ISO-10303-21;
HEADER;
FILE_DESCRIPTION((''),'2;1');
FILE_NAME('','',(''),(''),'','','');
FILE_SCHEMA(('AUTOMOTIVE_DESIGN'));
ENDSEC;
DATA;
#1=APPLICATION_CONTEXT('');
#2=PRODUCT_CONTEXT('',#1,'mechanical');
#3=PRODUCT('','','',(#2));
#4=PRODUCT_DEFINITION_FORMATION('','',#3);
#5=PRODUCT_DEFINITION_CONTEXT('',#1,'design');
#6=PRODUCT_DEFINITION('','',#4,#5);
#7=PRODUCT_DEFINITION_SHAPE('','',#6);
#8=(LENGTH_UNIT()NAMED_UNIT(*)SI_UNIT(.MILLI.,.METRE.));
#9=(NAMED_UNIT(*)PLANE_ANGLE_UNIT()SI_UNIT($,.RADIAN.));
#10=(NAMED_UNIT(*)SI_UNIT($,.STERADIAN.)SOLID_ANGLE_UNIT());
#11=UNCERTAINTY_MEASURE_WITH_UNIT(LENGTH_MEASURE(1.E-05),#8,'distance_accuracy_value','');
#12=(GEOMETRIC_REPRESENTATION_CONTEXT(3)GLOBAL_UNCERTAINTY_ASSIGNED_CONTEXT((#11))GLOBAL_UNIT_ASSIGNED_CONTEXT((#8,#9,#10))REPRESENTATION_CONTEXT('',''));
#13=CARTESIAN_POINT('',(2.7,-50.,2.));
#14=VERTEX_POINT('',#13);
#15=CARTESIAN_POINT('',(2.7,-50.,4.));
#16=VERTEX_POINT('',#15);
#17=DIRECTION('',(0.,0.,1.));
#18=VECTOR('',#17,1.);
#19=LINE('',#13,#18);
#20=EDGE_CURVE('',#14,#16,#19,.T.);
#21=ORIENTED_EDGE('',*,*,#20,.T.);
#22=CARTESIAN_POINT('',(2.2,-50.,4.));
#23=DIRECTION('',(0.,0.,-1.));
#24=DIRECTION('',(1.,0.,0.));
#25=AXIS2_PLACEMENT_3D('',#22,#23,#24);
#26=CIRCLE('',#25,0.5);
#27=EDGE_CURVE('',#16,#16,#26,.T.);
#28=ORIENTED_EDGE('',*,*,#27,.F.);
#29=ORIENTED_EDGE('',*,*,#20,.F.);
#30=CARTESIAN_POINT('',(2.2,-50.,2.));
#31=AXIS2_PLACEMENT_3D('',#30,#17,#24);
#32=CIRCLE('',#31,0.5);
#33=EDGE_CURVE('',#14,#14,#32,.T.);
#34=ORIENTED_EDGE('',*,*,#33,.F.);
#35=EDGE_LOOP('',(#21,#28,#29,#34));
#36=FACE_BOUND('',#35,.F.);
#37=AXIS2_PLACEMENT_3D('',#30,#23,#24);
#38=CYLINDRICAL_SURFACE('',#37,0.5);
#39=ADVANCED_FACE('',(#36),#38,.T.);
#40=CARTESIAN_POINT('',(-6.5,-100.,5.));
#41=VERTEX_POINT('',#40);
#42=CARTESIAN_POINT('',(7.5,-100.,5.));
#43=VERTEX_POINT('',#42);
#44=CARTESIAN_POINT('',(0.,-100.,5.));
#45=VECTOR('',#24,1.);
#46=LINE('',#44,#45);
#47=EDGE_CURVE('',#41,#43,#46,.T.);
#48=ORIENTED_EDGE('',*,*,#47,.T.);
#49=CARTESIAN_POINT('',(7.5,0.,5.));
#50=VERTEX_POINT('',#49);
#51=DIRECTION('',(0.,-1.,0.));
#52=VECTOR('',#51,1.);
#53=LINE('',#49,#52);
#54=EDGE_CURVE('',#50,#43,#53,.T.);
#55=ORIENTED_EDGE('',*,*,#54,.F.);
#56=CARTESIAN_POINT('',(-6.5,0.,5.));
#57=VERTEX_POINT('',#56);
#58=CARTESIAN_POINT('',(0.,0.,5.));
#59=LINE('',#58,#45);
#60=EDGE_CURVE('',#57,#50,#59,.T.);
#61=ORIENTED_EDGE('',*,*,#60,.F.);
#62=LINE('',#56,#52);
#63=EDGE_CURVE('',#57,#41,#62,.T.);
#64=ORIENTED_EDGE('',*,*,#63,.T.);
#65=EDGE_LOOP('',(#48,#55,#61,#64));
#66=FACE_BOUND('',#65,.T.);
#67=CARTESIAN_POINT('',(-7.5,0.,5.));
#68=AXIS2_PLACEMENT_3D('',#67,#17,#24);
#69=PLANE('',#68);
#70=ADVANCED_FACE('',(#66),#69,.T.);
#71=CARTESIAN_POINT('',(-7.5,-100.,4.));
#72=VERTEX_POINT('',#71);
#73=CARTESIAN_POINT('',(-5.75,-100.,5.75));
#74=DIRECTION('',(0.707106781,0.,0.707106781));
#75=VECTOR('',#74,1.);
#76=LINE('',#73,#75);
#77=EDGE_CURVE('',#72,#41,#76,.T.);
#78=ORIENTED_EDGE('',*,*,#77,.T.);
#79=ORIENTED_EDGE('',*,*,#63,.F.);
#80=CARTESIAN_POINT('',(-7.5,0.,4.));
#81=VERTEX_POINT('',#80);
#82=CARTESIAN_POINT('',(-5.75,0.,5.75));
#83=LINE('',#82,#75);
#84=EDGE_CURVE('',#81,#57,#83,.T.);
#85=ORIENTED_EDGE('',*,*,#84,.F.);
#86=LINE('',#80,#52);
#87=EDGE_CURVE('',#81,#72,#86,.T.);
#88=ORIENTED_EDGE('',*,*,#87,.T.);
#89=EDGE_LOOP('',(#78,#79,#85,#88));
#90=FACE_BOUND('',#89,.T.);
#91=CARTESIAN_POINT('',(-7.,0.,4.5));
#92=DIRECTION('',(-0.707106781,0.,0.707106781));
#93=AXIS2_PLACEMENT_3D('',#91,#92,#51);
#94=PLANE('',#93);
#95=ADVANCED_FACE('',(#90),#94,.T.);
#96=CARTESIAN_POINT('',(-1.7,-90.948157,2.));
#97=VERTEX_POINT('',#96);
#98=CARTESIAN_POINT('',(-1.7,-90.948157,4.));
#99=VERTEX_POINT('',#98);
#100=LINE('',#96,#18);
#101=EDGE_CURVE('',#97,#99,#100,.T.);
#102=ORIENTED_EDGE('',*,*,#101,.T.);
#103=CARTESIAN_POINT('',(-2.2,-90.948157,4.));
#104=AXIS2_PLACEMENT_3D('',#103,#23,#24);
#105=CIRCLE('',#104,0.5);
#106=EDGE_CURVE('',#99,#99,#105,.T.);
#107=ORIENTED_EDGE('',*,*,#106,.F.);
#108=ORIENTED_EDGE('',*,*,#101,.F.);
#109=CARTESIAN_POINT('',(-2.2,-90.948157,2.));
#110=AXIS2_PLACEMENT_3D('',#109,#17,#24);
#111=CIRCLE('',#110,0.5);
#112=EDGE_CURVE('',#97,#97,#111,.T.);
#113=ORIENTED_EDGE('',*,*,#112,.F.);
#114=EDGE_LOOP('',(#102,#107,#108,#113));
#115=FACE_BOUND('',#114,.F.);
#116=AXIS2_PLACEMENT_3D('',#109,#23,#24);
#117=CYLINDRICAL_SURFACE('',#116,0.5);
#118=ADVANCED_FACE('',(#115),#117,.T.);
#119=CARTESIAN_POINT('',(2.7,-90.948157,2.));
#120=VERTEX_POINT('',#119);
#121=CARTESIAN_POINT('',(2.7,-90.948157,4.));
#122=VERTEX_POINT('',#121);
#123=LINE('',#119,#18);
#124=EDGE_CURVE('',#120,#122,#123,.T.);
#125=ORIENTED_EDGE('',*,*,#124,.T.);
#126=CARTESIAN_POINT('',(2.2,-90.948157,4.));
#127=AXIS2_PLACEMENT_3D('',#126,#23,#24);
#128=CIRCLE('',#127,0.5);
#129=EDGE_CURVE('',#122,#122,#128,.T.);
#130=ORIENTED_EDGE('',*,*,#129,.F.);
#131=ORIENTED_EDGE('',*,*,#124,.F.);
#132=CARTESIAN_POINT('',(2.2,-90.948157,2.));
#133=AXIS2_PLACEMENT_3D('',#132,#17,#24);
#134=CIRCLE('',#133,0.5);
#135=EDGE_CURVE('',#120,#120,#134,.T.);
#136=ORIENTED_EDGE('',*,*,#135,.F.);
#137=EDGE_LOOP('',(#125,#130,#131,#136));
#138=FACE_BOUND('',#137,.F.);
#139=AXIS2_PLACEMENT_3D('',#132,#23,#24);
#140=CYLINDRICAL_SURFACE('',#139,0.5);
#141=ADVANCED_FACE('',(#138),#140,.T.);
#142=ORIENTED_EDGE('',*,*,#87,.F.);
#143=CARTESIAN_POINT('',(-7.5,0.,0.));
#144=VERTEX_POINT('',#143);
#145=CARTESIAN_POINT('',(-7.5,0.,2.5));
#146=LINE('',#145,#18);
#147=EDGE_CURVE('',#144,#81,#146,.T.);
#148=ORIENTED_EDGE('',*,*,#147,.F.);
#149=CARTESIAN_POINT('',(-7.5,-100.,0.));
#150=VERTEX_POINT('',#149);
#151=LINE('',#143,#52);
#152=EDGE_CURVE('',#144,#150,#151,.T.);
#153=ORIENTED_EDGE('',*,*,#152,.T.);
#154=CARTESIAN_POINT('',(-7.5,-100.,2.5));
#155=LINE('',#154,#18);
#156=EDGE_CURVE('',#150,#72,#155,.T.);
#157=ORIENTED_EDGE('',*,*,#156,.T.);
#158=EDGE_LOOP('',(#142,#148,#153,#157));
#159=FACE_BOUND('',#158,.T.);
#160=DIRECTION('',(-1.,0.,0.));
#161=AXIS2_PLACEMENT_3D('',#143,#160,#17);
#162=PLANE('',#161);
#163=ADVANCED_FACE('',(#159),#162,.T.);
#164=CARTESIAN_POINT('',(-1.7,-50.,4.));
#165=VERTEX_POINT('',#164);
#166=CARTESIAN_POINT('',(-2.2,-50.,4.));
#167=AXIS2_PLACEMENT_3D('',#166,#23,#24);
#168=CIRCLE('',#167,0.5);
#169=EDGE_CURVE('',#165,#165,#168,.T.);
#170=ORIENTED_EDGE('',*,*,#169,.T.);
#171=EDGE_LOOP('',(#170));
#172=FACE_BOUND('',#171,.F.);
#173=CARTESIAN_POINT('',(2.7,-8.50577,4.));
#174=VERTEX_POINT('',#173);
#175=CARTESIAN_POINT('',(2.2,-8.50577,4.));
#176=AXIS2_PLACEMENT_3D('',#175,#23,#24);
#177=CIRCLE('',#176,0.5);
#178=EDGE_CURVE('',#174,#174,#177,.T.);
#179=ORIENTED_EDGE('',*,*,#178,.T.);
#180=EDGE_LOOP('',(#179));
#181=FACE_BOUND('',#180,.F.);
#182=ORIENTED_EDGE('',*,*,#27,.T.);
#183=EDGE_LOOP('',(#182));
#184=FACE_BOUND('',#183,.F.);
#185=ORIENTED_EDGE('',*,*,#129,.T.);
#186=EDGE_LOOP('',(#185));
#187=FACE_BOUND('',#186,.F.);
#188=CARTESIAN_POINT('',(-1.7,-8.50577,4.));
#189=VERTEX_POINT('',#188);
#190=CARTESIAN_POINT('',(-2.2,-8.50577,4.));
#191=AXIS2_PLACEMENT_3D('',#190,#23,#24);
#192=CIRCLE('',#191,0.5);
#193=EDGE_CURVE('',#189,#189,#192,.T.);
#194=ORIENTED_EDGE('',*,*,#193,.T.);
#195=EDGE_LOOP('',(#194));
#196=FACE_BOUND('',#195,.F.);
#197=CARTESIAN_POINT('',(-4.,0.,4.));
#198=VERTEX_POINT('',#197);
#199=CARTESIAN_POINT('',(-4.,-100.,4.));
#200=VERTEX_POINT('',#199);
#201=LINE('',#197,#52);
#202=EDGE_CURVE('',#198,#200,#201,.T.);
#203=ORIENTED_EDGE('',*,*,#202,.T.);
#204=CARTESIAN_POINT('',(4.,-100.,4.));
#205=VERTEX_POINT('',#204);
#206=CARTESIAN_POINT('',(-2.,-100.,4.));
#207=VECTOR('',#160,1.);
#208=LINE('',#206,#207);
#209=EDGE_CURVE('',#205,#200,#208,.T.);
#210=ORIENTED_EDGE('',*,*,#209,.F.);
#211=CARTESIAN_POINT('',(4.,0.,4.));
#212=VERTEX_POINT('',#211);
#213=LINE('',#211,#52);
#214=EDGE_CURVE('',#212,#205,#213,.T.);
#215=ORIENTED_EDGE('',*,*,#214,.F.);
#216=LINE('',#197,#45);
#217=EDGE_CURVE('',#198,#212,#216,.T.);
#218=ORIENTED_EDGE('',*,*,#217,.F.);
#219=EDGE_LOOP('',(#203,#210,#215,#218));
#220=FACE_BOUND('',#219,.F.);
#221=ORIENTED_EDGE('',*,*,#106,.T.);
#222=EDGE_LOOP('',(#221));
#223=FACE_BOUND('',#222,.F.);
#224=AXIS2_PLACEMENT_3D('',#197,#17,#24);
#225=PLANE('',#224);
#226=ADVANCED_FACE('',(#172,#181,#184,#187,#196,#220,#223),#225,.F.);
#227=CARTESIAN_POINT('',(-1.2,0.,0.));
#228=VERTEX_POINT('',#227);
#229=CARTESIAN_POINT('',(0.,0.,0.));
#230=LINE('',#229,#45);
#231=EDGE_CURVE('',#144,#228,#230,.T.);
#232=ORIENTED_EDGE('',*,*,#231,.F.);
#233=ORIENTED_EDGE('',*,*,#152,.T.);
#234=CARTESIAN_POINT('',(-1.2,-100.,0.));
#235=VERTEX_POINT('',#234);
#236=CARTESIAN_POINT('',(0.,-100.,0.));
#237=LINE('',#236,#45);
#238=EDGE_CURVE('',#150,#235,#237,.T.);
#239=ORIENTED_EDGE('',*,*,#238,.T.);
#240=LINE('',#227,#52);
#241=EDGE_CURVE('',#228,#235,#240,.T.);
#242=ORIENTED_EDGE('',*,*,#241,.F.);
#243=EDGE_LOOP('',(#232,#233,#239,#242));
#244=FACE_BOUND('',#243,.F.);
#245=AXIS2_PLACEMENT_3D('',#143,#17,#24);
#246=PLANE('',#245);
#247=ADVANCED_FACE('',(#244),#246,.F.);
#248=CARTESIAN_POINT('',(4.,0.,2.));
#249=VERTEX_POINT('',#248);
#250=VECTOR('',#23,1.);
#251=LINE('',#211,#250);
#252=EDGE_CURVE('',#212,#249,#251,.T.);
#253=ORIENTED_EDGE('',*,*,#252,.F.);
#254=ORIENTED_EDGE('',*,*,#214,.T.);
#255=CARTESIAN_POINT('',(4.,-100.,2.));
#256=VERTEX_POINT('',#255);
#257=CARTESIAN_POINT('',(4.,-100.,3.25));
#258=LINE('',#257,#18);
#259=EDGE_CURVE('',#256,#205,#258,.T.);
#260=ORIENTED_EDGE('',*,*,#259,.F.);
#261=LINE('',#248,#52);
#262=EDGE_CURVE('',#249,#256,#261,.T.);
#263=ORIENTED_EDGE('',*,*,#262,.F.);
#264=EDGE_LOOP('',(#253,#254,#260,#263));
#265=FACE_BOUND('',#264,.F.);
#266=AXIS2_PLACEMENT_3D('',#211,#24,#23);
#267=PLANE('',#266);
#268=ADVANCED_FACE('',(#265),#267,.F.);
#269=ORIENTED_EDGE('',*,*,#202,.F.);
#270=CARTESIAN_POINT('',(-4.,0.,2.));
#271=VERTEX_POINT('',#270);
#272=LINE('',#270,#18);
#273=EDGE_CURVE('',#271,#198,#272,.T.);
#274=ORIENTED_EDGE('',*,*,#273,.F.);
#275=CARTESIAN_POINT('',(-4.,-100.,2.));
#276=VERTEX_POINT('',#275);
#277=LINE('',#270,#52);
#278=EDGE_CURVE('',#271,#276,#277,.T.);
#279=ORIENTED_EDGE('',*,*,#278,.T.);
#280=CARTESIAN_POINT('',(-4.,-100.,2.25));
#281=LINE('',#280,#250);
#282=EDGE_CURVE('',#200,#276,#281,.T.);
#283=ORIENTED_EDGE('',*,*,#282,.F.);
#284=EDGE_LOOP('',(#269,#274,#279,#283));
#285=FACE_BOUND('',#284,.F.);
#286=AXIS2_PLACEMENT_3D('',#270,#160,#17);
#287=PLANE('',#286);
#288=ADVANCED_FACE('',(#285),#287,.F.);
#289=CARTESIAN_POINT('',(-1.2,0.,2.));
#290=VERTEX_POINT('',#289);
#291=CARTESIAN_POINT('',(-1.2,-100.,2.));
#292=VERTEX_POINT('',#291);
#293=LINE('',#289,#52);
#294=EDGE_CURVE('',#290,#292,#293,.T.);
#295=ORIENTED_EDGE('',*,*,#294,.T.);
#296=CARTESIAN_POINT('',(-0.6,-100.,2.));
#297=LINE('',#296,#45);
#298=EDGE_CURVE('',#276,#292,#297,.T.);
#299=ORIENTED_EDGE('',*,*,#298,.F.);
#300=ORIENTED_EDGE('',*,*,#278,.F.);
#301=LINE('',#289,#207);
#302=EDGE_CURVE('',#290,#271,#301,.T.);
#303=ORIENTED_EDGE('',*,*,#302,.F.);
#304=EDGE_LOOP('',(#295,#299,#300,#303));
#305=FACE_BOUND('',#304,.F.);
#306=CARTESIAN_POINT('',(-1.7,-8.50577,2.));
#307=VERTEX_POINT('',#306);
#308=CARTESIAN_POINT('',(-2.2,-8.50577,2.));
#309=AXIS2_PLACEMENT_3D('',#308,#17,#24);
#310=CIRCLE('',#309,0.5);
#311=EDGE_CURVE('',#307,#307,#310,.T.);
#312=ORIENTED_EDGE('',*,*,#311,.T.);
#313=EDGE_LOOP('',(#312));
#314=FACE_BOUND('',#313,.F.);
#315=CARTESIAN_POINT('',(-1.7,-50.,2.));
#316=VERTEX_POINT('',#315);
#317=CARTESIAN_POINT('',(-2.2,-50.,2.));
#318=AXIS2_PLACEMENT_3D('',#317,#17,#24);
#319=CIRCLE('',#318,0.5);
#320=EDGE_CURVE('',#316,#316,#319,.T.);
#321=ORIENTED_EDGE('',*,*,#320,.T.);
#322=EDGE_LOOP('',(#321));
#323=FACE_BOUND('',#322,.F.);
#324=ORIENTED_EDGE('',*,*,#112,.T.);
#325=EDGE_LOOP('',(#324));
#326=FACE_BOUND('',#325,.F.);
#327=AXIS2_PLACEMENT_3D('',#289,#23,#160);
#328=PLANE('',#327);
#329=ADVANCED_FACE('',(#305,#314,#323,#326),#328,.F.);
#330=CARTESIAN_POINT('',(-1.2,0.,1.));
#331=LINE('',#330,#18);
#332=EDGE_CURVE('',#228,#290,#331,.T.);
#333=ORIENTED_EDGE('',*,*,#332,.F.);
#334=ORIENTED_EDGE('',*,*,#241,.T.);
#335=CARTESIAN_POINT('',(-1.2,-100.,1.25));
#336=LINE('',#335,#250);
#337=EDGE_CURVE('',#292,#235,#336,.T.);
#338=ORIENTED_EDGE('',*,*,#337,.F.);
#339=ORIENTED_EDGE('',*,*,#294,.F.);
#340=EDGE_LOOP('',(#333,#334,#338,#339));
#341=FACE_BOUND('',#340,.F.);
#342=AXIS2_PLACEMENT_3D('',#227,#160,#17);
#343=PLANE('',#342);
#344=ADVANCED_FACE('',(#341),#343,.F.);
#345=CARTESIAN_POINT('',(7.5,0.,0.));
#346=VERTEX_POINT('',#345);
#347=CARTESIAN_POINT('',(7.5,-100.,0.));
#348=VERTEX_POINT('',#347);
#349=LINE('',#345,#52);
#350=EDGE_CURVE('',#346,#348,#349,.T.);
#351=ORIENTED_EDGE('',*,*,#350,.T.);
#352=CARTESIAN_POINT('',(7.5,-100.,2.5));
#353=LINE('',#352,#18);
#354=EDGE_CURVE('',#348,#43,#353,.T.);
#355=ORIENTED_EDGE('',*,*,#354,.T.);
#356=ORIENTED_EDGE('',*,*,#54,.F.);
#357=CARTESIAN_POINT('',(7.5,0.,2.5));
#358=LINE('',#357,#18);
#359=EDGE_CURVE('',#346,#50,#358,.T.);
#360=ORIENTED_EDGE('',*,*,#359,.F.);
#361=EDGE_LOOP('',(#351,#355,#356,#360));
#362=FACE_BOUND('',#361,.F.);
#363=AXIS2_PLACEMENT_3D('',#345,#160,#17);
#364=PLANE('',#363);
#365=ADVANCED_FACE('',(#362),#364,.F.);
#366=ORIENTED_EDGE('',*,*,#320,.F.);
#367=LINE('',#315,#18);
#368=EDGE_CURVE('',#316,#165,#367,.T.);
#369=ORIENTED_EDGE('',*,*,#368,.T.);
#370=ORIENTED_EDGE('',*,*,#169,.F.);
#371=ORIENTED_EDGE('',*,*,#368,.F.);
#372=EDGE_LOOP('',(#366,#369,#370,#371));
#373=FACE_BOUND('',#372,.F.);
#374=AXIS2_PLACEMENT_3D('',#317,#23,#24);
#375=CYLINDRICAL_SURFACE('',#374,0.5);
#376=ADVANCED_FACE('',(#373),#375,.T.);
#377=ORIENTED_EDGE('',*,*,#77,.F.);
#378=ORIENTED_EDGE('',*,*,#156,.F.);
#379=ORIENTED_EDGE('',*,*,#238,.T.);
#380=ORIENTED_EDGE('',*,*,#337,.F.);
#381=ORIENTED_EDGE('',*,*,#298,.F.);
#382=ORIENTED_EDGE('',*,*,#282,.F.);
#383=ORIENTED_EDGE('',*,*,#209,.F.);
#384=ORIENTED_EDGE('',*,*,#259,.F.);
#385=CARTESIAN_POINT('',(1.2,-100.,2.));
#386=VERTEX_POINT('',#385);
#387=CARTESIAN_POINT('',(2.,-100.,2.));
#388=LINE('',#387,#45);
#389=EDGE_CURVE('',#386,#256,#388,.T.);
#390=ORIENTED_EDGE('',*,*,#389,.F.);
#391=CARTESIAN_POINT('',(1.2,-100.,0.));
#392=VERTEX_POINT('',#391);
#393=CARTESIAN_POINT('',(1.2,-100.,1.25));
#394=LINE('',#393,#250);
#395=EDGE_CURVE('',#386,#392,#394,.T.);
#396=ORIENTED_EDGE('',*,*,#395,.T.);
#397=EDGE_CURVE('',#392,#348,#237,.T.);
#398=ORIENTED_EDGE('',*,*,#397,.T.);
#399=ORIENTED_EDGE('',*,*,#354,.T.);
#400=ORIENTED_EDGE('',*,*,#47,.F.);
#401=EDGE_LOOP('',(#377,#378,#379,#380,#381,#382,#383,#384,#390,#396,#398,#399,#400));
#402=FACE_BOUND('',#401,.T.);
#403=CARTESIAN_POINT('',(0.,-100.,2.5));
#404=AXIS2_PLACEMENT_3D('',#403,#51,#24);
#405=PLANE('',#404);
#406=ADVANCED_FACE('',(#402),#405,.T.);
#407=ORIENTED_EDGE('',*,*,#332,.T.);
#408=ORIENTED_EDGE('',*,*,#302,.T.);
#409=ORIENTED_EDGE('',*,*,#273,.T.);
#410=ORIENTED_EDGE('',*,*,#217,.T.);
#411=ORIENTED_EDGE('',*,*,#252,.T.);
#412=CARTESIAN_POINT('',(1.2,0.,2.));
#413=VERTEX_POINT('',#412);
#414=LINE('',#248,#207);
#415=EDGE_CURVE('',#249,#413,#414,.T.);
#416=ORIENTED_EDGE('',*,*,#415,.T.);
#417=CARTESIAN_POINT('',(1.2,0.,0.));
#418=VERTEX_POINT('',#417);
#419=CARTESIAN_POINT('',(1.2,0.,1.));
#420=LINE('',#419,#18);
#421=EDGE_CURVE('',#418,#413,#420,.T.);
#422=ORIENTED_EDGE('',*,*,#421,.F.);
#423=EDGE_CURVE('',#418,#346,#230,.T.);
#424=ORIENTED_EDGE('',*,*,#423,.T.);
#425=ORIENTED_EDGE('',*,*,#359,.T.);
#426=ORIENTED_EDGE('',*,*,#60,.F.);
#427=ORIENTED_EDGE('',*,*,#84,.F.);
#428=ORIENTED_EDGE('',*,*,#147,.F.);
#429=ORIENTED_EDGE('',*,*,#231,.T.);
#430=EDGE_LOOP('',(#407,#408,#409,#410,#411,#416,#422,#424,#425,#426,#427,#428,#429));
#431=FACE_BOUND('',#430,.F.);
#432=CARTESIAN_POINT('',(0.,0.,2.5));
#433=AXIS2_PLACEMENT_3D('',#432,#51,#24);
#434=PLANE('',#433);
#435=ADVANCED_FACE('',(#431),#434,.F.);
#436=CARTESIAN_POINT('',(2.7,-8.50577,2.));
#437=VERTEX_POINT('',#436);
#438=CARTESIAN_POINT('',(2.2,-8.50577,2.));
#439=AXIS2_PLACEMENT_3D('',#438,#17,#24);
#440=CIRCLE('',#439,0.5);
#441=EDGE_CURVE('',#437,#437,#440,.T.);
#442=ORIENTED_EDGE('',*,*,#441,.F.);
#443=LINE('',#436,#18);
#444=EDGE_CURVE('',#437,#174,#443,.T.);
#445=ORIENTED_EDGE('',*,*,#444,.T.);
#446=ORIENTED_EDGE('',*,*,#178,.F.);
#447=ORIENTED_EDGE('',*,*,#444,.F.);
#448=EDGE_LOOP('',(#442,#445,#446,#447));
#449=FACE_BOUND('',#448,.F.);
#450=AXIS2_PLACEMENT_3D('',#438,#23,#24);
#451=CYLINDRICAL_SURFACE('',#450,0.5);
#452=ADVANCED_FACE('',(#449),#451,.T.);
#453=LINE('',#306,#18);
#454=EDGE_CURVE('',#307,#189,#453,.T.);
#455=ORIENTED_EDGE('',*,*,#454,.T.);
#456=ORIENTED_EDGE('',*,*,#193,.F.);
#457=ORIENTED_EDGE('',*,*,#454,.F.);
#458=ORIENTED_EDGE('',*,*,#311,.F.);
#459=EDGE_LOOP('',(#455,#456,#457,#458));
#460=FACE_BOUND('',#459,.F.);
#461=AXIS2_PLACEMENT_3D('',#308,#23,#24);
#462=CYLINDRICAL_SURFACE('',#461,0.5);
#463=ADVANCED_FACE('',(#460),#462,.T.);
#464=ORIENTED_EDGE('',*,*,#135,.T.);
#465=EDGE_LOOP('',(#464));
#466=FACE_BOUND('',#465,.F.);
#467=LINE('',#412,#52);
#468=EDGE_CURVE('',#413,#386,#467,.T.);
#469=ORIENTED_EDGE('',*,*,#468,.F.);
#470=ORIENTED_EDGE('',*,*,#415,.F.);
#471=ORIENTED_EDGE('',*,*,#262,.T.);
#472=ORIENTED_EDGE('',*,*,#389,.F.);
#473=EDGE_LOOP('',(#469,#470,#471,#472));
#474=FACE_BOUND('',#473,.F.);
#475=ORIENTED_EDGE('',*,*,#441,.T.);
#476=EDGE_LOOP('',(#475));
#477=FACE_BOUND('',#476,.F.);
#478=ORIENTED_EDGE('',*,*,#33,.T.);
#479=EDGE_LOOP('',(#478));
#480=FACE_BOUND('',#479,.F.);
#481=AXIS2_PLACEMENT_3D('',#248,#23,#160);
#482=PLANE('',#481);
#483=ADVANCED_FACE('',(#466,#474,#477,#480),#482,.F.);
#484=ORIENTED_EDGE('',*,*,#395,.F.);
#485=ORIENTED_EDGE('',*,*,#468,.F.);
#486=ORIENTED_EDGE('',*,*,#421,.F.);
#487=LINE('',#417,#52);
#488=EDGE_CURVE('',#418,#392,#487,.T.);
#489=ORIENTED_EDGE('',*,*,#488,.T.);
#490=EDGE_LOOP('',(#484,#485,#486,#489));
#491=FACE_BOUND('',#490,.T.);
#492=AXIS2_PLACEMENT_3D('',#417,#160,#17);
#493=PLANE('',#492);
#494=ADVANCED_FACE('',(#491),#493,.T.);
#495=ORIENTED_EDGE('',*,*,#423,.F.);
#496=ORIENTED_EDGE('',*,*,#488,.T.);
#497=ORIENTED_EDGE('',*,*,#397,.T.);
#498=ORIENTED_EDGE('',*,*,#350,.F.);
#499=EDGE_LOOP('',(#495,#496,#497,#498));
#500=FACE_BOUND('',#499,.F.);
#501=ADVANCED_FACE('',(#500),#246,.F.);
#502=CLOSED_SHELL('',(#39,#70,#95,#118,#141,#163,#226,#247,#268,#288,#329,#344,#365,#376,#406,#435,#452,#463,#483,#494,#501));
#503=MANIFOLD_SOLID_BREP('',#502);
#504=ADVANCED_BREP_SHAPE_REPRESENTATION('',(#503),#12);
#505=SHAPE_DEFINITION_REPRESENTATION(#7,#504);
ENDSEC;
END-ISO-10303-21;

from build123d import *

# Parameters (mm, degrees)
F0_W     = 15
F0_H     = 5
F1_DEPTH = 100
F2_W     = 1.2
F2_H     = 2
F3_DEPTH = 113.7
F4_R     = 0.5
F5_DEPTH = 2.87
F6_SIZE  = 1


with BuildPart() as f1:
    # F0 (on Front) → F1 (new body)
    with BuildSketch(Plane.XZ):
        with Locations((0, 2.5)):
            Rectangle(F0_W, F0_H)
    extrude(amount=F1_DEPTH)

    # F2 (on face) → F3 (cut)
    with BuildSketch(Plane(origin=(0, 0, 0), x_dir=(-1, 0, 0), z_dir=(0, 1, 0))):
        Polygon((-4, 2), (-1.2, 2), (0, 2), (0, 4), (-4, 4), align=None)
        with Locations((-0.6, 1)):
            Rectangle(F2_W, F2_H)
        with Locations((0.6, 1)):
            Rectangle(F2_W, F2_H)
        Polygon((0, 4), (0, 2), (1.2, 2), (4, 2), (4, 4), align=None)
    extrude(amount=-F3_DEPTH, mode=Mode.SUBTRACT)

    # F4 (on face) → F5 (join)
    with BuildSketch(Plane.XY.offset(2)):
        with Locations((-2.2, -8.50577)):
            Circle(F4_R)
        with Locations((-2.2, -50)):
            Circle(F4_R)
        with Locations((-2.2, -90.948157)):
            Circle(F4_R)
        with Locations((2.2, -90.948157)):
            Circle(F4_R)
        with Locations((2.2, -50)):
            Circle(F4_R)
        with Locations((2.2, -8.50577)):
            Circle(F4_R)
    extrude(amount=F5_DEPTH)

    # F6
    f6_edges = [f1.edges().sort_by_distance(p)[0] for p in [
        (-7.5, -50, 5),
    ]]
    chamfer(f6_edges, length=F6_SIZE)


solid = f1.part
